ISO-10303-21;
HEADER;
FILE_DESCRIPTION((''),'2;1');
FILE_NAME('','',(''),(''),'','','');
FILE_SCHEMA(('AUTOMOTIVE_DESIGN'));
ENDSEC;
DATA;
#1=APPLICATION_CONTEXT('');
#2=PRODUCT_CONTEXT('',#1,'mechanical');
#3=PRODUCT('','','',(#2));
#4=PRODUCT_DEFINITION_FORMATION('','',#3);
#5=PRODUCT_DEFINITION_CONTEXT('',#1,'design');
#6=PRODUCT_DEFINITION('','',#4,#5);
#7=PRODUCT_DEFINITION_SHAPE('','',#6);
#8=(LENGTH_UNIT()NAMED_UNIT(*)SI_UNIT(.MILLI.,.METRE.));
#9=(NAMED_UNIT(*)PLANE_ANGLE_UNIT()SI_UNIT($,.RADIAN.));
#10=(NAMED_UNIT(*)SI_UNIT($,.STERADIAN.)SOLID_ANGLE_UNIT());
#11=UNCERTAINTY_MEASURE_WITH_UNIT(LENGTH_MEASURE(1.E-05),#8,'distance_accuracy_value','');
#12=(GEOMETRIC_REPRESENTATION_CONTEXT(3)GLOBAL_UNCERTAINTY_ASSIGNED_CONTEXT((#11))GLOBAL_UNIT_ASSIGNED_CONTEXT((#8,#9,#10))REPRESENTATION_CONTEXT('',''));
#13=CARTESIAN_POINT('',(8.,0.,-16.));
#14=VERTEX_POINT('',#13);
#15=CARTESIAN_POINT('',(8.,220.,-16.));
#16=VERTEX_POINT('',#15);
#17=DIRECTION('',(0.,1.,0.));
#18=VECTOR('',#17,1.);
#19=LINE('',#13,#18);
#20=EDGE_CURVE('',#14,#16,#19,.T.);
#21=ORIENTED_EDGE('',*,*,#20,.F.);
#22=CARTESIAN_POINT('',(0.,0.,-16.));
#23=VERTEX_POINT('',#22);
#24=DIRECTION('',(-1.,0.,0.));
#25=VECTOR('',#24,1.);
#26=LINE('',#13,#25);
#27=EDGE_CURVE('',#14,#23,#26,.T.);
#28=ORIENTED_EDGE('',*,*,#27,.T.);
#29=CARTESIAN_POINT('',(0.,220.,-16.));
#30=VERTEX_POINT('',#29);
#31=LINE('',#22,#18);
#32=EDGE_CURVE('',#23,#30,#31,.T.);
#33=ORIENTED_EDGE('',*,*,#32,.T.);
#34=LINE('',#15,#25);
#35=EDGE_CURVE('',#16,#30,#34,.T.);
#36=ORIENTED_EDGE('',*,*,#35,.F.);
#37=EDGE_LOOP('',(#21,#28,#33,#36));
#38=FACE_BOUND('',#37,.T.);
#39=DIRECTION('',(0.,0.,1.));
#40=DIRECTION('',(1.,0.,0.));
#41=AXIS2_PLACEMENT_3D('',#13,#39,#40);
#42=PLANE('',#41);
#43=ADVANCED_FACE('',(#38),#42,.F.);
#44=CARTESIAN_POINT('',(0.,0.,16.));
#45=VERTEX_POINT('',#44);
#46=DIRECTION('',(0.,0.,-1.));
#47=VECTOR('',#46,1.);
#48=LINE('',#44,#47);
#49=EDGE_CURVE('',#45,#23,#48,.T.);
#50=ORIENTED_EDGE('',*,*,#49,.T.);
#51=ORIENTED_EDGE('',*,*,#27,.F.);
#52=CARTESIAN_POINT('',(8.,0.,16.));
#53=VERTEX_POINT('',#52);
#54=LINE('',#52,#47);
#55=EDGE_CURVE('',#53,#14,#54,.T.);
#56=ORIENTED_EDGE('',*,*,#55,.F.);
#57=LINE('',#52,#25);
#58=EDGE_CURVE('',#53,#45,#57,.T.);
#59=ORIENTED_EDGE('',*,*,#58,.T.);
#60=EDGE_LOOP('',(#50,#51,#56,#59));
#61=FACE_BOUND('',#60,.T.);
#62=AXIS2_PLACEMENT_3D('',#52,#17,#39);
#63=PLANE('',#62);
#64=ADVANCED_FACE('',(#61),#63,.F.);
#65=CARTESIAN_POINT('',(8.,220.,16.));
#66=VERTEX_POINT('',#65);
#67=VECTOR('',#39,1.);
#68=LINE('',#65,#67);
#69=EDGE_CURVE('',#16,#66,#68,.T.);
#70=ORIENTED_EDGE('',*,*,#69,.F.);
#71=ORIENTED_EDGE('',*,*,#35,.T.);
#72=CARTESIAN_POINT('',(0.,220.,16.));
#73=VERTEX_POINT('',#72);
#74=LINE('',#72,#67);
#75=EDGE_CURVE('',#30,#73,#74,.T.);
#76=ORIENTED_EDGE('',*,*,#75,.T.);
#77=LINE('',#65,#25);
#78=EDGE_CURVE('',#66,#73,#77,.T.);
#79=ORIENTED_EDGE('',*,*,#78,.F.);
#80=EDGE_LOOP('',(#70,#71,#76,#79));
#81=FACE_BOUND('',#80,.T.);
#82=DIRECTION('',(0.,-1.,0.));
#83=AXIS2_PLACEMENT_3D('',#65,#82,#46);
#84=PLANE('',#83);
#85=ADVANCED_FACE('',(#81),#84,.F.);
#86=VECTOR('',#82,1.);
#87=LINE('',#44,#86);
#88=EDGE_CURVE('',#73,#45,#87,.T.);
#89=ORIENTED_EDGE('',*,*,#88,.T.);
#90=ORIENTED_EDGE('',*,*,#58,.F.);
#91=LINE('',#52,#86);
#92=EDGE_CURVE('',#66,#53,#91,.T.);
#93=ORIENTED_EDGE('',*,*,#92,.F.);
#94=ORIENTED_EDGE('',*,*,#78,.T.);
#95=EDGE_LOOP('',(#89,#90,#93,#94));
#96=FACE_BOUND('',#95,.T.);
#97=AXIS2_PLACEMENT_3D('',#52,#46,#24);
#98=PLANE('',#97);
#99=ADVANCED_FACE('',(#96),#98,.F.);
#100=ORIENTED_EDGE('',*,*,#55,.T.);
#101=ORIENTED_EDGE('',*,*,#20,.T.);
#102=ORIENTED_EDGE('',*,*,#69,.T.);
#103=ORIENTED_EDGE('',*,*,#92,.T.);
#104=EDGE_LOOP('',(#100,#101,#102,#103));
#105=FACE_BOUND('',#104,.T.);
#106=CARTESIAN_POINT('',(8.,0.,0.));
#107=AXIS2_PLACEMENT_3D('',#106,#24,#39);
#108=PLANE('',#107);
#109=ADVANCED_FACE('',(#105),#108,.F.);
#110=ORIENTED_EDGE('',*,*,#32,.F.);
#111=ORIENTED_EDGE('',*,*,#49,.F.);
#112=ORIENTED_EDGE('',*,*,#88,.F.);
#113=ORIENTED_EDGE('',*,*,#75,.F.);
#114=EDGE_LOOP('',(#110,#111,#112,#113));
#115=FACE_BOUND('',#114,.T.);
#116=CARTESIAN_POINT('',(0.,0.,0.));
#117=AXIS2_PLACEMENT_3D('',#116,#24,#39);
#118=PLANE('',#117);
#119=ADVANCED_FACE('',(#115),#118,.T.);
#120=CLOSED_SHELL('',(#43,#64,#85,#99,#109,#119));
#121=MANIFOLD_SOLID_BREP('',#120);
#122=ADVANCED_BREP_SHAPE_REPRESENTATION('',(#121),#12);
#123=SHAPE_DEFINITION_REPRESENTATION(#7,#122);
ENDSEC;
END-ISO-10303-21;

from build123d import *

# Parameters (mm, degrees)
SKETCH_1_W      = 32
SKETCH_1_H      = 220
EXTRUDE_1_DEPTH = 8


with BuildPart() as part:
    # 草图1 → 凸台-拉伸1 (new body)
    with BuildSketch(Plane(origin=(0, 0, 0), x_dir=(0, 0, -1), z_dir=(1, 0, 0))):
        with Locations((0, 110)):
            Rectangle(SKETCH_1_W, SKETCH_1_H)
    extrude(amount=EXTRUDE_1_DEPTH)


solid = part.part
